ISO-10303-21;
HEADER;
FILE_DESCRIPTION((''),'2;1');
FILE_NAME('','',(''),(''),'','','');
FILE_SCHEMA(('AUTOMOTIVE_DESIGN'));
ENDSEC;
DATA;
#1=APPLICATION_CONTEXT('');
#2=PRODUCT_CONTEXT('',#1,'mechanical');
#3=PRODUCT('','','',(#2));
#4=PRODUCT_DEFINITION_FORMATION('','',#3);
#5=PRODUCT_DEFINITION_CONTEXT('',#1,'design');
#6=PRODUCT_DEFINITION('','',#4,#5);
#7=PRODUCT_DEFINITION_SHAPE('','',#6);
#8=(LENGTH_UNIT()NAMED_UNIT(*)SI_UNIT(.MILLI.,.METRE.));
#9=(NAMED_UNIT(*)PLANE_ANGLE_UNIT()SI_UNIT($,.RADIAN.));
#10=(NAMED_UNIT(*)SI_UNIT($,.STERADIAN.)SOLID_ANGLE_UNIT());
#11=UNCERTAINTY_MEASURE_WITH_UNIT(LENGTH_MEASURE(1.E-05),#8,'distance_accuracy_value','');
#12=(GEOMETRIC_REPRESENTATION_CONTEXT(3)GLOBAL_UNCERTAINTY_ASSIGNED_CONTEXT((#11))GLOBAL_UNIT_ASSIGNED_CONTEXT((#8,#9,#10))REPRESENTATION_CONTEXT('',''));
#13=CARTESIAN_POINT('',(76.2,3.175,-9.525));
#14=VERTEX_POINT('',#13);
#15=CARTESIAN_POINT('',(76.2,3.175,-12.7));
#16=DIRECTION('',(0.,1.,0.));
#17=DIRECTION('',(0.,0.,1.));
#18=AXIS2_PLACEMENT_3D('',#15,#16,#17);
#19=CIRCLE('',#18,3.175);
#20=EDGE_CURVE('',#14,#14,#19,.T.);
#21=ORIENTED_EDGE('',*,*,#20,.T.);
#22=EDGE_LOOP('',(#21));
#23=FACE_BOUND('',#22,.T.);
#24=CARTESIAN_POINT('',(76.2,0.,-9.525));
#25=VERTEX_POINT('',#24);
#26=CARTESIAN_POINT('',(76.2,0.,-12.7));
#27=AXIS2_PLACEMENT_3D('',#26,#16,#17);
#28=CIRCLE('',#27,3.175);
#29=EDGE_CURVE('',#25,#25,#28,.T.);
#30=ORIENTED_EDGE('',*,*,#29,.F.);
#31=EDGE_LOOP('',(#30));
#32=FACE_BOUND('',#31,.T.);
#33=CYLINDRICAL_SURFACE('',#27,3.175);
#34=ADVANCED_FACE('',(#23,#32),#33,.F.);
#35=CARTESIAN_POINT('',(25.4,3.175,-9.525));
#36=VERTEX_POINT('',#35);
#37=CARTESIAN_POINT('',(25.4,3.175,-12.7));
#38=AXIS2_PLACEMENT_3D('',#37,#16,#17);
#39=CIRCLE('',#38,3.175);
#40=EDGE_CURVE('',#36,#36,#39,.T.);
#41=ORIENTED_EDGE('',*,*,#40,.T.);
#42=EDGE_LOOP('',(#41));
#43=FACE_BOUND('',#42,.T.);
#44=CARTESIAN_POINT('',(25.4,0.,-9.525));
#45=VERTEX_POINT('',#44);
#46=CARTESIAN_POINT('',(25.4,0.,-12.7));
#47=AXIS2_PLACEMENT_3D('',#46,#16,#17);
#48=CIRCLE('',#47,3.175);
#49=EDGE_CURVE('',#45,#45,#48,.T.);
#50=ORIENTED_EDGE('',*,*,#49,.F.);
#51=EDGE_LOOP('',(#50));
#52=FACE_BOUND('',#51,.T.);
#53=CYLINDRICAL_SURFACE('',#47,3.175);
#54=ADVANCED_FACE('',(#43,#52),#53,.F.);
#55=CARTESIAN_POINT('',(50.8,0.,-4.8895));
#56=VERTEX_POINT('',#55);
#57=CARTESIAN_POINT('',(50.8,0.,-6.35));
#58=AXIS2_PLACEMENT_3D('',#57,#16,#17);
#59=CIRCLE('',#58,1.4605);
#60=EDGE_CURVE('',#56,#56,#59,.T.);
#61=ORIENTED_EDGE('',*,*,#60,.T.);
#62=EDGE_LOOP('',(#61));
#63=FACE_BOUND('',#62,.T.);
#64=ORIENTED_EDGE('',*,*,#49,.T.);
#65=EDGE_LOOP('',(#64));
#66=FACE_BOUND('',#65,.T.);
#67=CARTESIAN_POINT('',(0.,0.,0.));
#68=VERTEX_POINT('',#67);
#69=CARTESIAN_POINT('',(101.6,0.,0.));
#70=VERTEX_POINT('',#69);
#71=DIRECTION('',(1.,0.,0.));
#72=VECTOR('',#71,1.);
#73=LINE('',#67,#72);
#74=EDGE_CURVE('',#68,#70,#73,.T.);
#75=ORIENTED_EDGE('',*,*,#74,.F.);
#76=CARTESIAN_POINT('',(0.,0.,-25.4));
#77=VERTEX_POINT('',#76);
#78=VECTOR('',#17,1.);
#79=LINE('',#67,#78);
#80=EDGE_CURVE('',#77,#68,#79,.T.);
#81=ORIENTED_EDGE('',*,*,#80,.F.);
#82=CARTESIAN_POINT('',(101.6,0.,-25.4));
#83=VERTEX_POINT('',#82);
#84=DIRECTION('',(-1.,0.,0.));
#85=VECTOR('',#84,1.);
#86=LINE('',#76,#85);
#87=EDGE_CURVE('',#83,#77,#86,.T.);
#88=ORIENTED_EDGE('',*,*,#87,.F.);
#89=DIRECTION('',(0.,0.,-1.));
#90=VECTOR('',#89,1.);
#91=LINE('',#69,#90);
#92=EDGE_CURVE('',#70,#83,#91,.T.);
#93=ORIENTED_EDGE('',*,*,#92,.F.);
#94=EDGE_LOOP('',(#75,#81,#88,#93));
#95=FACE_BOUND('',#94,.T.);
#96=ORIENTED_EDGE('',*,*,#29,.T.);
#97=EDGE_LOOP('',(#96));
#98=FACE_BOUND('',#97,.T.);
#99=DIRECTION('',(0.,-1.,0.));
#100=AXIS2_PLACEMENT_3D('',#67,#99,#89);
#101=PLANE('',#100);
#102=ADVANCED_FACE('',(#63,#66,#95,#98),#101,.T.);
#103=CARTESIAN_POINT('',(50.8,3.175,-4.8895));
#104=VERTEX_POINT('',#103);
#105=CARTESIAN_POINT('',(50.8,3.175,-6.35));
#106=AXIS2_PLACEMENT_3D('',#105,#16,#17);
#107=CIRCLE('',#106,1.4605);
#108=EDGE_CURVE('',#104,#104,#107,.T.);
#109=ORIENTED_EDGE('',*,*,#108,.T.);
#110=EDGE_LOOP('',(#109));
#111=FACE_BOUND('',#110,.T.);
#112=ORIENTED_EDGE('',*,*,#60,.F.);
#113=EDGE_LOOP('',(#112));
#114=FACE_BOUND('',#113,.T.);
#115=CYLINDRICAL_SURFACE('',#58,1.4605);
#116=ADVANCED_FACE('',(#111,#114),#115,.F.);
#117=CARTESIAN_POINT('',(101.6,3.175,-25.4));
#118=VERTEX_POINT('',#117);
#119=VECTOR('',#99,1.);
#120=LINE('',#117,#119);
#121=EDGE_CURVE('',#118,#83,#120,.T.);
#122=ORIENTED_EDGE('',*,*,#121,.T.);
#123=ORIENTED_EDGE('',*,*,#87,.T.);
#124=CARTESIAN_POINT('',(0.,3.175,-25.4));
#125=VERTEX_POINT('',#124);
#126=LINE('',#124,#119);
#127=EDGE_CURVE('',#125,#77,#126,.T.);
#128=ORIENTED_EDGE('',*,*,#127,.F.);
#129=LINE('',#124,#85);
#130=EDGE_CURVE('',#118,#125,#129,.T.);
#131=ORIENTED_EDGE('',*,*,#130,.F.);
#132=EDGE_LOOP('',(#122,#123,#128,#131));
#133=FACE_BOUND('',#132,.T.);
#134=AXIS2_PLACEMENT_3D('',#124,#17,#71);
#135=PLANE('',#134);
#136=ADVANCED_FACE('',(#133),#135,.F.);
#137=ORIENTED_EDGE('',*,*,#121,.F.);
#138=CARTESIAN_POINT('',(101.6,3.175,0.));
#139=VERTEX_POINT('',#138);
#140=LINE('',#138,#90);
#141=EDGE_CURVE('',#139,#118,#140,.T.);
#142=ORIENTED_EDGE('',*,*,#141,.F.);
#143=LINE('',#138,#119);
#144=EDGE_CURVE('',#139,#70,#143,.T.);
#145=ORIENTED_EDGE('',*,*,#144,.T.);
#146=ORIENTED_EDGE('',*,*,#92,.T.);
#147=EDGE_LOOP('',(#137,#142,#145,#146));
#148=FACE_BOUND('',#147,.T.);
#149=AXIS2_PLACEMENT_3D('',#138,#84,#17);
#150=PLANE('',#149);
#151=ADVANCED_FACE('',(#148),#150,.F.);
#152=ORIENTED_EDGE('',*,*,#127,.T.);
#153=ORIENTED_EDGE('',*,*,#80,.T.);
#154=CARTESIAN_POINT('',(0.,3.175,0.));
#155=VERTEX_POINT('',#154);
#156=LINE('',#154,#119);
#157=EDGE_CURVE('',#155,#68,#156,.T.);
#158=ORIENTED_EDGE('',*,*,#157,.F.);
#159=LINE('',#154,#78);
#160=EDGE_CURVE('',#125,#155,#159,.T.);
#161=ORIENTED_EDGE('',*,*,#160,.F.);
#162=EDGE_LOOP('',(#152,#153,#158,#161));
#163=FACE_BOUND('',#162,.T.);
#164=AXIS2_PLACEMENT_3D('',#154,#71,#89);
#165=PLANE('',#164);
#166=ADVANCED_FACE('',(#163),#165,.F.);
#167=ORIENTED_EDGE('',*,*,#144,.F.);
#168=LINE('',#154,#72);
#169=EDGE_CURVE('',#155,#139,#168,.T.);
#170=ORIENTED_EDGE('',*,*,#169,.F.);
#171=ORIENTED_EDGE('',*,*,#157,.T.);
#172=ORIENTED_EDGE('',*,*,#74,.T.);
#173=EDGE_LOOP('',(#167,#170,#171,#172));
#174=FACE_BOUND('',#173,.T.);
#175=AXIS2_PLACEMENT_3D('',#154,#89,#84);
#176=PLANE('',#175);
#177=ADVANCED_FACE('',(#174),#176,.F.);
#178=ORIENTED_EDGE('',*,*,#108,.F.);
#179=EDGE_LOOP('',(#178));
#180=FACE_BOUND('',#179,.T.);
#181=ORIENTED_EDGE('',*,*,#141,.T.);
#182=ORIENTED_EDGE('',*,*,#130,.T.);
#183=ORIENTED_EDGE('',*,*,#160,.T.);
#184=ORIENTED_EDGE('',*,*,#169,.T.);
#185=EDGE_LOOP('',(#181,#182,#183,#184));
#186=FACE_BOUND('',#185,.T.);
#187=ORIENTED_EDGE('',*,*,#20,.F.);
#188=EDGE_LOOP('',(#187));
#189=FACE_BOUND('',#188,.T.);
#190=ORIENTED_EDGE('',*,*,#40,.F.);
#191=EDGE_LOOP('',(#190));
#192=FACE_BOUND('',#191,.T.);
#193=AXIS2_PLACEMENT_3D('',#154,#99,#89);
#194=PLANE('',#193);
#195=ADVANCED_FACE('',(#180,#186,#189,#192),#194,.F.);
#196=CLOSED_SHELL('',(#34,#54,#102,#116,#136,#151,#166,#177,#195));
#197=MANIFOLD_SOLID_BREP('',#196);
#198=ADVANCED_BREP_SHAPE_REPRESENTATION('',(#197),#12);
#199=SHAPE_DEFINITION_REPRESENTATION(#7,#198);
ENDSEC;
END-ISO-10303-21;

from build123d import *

# Parameters (mm, degrees)
SKETCH1_W           = 101.6
SKETCH1_H           = 25.4
BOSS_EXTRUDE1_DEPTH = 3.175
SKETCH2_R           = 1.4605
SKETCH2_R_2         = 3.175
CUT_EXTRUDE1_DEPTH  = 105.775


with BuildPart() as part:
    # Sketch1 → Boss-Extrude1 (new body)
    with BuildSketch(Plane(origin=(0, 0, 0), x_dir=(1, 0, 0), z_dir=(0, 1, 0))):
        with Locations((50.8, 12.7)):
            Rectangle(SKETCH1_W, SKETCH1_H)
    extrude(amount=BOSS_EXTRUDE1_DEPTH)

    # Sketch2 → Cut-Extrude1 (cut, through all)
    with BuildSketch(Plane(origin=(0, 3.175, 0), x_dir=(1, 0, 0), z_dir=(0, 1, 0))):
        with Locations(Location((50.8, 6.35, 0), (0, 0, 270))):
            Circle(SKETCH2_R)
        with Locations(Location((25.4, 12.7, 0), (0, 0, 270))):
            Circle(SKETCH2_R_2)
        with Locations(Location((76.2, 12.7, 0), (0, 0, 270))):
            Circle(SKETCH2_R_2)
    extrude(amount=-CUT_EXTRUDE1_DEPTH, mode=Mode.SUBTRACT)


solid = part.part
